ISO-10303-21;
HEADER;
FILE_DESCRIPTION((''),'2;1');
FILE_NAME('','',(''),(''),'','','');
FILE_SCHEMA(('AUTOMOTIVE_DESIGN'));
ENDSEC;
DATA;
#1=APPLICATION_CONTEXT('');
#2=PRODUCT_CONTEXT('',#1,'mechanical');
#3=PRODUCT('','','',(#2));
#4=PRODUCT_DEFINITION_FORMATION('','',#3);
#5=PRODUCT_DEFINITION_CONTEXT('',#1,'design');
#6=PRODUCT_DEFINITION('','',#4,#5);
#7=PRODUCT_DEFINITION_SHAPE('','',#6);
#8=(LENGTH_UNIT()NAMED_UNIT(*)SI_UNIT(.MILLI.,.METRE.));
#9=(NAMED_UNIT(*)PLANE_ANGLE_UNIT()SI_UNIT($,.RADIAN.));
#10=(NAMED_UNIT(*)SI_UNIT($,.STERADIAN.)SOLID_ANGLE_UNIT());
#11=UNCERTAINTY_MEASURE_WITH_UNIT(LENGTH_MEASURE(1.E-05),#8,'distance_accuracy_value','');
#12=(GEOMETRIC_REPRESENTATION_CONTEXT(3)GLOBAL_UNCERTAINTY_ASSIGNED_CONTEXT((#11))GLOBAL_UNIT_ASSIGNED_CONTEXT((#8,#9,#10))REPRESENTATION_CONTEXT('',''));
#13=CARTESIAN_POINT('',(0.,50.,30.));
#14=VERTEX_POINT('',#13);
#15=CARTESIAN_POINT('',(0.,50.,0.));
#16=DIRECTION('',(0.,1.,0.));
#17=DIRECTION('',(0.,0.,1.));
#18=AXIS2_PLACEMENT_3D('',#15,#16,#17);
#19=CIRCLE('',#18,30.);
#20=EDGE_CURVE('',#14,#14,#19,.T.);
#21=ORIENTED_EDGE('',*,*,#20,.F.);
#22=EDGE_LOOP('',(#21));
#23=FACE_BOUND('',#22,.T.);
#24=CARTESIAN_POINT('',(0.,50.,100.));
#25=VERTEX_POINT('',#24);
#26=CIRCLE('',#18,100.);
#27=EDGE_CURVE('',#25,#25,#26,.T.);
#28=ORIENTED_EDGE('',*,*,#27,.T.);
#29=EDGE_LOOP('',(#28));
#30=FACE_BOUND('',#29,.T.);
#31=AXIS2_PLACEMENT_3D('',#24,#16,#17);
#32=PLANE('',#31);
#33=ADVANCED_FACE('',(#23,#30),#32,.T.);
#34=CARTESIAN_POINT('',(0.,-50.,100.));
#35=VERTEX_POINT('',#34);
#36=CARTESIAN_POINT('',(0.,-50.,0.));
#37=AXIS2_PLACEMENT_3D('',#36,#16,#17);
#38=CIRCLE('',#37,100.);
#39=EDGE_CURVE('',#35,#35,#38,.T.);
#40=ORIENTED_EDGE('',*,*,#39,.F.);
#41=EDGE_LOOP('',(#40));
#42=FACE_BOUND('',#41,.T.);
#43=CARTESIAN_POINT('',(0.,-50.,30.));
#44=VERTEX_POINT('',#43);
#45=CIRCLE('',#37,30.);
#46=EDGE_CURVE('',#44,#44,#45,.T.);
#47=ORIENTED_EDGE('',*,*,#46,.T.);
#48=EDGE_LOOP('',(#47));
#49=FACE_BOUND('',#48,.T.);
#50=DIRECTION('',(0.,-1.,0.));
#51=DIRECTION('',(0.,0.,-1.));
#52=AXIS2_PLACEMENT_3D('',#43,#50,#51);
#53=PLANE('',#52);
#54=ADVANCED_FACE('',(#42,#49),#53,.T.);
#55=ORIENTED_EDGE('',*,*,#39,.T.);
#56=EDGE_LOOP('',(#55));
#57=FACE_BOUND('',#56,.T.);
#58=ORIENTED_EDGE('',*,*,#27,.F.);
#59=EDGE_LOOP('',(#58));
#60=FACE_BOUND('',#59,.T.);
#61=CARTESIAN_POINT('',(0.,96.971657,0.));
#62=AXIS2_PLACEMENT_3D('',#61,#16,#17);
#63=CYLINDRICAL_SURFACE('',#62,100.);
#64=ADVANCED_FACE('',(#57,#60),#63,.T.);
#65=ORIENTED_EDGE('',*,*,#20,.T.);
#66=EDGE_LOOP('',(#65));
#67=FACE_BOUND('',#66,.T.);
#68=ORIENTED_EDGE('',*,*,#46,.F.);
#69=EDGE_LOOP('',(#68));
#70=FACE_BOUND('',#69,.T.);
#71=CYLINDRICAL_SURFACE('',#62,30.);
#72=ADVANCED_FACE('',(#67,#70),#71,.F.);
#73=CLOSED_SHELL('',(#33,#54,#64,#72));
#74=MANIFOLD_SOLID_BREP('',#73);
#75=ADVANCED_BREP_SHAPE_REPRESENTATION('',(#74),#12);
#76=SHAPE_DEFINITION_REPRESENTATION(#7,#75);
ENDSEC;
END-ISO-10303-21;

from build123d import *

# Parameters (mm, degrees)
SKETCH1_W = 70
SKETCH1_H = 100


with BuildPart() as part:
    # Sketch1 → Revolve1 (revolve)
    with BuildSketch(Plane(origin=(0, 0, 0), x_dir=(0, 0, -1), z_dir=(1, 0, 0))):
        with Locations((-65, 0)):
            Rectangle(SKETCH1_W, SKETCH1_H)
    revolve(axis=Axis((0, 96.971657253, 0), (0, -1, 0)))


solid = part.part
